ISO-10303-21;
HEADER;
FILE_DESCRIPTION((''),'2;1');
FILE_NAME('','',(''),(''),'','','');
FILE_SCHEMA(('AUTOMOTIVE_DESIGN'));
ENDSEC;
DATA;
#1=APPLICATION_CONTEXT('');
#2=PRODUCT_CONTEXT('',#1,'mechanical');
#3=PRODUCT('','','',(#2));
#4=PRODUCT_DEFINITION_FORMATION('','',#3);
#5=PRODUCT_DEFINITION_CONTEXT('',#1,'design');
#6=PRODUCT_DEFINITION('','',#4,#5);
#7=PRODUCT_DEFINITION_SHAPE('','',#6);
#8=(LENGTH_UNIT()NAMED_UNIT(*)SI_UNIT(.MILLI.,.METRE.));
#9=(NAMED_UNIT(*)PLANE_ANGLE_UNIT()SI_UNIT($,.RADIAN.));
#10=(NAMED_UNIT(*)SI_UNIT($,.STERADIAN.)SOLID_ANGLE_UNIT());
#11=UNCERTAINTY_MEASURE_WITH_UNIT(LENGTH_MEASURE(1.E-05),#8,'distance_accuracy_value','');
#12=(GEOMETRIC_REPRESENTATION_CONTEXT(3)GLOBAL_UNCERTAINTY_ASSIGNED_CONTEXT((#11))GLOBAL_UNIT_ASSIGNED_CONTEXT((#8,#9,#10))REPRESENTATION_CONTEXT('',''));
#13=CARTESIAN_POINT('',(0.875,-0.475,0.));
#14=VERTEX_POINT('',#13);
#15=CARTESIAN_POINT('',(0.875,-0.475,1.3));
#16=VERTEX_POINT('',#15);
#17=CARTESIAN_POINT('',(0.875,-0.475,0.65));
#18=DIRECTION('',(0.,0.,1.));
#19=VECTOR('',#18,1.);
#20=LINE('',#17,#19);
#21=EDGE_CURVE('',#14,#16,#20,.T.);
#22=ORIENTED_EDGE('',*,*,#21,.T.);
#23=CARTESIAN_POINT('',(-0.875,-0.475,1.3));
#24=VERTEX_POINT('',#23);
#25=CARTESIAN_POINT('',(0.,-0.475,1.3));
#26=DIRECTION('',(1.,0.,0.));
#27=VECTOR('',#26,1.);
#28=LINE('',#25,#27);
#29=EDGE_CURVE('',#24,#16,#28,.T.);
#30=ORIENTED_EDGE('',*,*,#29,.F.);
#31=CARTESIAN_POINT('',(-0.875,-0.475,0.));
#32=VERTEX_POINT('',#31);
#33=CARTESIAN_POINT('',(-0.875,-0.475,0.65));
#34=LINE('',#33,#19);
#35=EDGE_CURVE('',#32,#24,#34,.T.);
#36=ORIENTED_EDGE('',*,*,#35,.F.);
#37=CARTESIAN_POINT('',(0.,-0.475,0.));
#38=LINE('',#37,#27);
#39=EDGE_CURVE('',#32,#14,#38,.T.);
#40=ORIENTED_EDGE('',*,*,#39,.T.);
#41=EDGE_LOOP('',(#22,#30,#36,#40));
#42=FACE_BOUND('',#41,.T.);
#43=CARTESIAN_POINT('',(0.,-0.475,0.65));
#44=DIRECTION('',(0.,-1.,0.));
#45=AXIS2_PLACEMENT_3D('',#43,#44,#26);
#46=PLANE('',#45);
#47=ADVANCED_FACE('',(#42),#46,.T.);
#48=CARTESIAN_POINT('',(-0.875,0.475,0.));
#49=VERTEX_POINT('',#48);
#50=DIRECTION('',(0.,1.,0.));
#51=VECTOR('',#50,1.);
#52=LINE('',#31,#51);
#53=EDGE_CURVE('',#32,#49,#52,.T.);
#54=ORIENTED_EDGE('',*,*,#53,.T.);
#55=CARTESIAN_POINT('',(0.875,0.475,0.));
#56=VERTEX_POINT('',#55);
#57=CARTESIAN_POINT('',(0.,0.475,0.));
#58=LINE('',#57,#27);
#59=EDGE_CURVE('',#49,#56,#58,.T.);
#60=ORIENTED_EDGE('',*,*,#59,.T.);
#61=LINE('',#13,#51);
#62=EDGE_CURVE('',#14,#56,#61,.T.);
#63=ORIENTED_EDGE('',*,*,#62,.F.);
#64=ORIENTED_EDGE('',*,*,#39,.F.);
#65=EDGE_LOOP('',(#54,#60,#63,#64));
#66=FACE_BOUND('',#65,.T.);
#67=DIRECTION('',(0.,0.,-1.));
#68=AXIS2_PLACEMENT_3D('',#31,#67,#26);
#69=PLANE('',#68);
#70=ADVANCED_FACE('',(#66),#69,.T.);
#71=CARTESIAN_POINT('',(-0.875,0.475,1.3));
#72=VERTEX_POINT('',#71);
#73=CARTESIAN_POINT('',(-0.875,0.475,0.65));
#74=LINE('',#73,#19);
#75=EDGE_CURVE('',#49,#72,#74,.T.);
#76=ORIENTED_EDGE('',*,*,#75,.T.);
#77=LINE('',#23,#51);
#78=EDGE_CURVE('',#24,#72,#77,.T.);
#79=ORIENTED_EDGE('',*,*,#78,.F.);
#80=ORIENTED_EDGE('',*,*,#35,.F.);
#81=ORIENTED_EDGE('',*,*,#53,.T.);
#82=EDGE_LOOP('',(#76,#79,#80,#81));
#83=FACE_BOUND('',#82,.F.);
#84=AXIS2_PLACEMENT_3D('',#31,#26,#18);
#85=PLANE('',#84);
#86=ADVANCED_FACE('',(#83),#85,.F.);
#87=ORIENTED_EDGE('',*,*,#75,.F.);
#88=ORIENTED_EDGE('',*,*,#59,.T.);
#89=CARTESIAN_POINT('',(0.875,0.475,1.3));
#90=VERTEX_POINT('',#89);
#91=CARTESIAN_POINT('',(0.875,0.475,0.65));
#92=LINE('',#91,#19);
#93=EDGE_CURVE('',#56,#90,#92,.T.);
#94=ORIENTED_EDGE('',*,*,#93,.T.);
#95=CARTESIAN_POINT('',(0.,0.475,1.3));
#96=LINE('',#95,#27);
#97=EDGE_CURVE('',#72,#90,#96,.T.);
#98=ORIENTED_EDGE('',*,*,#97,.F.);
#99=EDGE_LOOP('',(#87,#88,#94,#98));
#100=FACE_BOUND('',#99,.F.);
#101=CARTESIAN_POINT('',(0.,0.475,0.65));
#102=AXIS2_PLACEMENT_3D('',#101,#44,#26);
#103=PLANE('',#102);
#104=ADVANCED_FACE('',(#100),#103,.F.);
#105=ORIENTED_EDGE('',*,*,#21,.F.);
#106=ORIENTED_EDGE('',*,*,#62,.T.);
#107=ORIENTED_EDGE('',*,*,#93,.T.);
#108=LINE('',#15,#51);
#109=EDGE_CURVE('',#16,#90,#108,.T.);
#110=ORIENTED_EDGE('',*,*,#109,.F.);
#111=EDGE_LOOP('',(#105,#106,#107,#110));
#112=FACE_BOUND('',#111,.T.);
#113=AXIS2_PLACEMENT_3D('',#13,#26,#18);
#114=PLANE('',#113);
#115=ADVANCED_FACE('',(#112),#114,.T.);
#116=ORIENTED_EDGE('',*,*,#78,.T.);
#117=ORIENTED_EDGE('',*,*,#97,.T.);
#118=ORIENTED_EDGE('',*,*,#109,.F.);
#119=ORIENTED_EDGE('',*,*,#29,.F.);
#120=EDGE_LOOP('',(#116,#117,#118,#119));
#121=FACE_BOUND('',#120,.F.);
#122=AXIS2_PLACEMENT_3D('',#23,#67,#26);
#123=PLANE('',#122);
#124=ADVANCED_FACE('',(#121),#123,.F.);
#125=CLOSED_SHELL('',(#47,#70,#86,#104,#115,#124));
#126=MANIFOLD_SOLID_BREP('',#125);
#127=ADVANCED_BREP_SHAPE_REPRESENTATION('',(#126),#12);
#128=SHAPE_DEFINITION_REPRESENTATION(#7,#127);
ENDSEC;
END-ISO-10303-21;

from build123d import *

# Parameters (mm, degrees)
SKETCH1_W           = 1.74999904
SKETCH1_H           = 1.29999994
BOSS_EXTRUDE1_DEPTH = 0.95000064


with BuildPart() as part:
    # Sketch1 → Boss-Extrude1 (new body)
    with BuildSketch(Plane.XZ.offset(0.47500032)):
        with Locations((0, 0.64999997)):
            Rectangle(SKETCH1_W, SKETCH1_H)
    extrude(amount=-BOSS_EXTRUDE1_DEPTH)


solid = part.part
